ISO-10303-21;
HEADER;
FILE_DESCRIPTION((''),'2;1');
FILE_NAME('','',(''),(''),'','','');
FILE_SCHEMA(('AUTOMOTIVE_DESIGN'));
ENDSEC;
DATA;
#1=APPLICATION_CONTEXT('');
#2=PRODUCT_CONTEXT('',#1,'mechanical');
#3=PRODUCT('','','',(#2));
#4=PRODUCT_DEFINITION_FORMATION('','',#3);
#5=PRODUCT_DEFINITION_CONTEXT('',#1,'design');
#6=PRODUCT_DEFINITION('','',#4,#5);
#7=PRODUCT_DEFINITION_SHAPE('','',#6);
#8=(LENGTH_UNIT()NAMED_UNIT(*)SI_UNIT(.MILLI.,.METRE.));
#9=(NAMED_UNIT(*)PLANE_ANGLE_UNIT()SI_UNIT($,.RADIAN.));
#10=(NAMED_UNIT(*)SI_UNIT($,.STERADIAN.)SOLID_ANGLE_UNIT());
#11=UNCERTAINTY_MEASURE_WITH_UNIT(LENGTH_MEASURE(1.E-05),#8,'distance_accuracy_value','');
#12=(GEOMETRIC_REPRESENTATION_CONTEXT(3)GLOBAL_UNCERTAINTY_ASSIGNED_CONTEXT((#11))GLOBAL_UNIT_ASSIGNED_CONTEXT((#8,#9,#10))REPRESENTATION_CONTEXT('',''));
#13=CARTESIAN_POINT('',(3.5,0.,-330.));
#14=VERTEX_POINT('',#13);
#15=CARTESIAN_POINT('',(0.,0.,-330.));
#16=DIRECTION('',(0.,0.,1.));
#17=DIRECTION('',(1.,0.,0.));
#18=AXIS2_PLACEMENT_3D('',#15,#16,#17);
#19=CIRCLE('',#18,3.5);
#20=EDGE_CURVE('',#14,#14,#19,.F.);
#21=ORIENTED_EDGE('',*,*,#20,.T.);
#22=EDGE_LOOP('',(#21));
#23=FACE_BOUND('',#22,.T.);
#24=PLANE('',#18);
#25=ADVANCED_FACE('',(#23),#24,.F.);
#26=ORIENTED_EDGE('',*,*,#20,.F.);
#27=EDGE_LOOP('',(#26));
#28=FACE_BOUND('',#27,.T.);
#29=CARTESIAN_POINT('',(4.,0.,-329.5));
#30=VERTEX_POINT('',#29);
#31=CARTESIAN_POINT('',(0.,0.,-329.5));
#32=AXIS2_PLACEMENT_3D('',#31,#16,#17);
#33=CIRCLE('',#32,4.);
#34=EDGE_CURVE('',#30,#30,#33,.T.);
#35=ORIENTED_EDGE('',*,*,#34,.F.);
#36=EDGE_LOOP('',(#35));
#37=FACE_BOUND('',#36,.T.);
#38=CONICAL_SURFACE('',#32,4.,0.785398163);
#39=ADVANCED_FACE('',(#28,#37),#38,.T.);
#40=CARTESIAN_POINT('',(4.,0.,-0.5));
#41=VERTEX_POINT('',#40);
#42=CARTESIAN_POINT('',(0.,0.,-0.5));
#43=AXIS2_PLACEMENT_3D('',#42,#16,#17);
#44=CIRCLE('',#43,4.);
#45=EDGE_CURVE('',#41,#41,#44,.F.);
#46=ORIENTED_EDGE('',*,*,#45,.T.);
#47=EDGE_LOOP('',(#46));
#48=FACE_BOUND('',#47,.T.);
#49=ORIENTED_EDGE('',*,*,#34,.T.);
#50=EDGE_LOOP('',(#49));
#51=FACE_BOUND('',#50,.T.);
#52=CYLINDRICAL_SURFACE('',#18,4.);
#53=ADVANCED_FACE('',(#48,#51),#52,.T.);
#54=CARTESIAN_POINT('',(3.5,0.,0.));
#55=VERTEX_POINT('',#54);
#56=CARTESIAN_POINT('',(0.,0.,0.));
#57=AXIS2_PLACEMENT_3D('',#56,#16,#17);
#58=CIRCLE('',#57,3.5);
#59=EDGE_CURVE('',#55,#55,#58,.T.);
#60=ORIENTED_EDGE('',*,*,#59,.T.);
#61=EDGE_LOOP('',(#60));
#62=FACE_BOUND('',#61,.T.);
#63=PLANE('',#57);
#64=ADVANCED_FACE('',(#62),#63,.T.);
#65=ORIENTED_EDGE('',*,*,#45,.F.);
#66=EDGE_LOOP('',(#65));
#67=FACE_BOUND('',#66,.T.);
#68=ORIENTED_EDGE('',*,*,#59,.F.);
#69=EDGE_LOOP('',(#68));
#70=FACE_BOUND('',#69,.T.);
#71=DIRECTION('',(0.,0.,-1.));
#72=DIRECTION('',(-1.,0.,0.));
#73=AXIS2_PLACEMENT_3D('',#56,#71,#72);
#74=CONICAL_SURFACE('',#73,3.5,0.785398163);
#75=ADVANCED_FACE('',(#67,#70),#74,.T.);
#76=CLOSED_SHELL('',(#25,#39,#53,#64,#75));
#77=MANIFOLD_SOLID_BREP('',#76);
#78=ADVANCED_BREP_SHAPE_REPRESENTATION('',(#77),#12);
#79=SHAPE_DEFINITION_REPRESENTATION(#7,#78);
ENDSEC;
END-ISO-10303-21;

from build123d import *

# Parameters (mm, degrees)
SKETCH1_R           = 4
BOSS_EXTRUDE1_DEPTH = 330
CHAMFER1_SIZE       = 0.5


with BuildPart() as part:
    # Sketch1 → Boss-Extrude1 (new body)
    with BuildSketch(Plane.XY):
        Circle(SKETCH1_R)
    extrude(amount=-BOSS_EXTRUDE1_DEPTH)

    # Chamfer1
    chamfer1_edges = [part.edges().sort_by_distance(p)[0] for p in [
        (-4, 0, 0),
        (-4, 0, -330),
    ]]
    chamfer(chamfer1_edges, length=CHAMFER1_SIZE)


solid = part.part
